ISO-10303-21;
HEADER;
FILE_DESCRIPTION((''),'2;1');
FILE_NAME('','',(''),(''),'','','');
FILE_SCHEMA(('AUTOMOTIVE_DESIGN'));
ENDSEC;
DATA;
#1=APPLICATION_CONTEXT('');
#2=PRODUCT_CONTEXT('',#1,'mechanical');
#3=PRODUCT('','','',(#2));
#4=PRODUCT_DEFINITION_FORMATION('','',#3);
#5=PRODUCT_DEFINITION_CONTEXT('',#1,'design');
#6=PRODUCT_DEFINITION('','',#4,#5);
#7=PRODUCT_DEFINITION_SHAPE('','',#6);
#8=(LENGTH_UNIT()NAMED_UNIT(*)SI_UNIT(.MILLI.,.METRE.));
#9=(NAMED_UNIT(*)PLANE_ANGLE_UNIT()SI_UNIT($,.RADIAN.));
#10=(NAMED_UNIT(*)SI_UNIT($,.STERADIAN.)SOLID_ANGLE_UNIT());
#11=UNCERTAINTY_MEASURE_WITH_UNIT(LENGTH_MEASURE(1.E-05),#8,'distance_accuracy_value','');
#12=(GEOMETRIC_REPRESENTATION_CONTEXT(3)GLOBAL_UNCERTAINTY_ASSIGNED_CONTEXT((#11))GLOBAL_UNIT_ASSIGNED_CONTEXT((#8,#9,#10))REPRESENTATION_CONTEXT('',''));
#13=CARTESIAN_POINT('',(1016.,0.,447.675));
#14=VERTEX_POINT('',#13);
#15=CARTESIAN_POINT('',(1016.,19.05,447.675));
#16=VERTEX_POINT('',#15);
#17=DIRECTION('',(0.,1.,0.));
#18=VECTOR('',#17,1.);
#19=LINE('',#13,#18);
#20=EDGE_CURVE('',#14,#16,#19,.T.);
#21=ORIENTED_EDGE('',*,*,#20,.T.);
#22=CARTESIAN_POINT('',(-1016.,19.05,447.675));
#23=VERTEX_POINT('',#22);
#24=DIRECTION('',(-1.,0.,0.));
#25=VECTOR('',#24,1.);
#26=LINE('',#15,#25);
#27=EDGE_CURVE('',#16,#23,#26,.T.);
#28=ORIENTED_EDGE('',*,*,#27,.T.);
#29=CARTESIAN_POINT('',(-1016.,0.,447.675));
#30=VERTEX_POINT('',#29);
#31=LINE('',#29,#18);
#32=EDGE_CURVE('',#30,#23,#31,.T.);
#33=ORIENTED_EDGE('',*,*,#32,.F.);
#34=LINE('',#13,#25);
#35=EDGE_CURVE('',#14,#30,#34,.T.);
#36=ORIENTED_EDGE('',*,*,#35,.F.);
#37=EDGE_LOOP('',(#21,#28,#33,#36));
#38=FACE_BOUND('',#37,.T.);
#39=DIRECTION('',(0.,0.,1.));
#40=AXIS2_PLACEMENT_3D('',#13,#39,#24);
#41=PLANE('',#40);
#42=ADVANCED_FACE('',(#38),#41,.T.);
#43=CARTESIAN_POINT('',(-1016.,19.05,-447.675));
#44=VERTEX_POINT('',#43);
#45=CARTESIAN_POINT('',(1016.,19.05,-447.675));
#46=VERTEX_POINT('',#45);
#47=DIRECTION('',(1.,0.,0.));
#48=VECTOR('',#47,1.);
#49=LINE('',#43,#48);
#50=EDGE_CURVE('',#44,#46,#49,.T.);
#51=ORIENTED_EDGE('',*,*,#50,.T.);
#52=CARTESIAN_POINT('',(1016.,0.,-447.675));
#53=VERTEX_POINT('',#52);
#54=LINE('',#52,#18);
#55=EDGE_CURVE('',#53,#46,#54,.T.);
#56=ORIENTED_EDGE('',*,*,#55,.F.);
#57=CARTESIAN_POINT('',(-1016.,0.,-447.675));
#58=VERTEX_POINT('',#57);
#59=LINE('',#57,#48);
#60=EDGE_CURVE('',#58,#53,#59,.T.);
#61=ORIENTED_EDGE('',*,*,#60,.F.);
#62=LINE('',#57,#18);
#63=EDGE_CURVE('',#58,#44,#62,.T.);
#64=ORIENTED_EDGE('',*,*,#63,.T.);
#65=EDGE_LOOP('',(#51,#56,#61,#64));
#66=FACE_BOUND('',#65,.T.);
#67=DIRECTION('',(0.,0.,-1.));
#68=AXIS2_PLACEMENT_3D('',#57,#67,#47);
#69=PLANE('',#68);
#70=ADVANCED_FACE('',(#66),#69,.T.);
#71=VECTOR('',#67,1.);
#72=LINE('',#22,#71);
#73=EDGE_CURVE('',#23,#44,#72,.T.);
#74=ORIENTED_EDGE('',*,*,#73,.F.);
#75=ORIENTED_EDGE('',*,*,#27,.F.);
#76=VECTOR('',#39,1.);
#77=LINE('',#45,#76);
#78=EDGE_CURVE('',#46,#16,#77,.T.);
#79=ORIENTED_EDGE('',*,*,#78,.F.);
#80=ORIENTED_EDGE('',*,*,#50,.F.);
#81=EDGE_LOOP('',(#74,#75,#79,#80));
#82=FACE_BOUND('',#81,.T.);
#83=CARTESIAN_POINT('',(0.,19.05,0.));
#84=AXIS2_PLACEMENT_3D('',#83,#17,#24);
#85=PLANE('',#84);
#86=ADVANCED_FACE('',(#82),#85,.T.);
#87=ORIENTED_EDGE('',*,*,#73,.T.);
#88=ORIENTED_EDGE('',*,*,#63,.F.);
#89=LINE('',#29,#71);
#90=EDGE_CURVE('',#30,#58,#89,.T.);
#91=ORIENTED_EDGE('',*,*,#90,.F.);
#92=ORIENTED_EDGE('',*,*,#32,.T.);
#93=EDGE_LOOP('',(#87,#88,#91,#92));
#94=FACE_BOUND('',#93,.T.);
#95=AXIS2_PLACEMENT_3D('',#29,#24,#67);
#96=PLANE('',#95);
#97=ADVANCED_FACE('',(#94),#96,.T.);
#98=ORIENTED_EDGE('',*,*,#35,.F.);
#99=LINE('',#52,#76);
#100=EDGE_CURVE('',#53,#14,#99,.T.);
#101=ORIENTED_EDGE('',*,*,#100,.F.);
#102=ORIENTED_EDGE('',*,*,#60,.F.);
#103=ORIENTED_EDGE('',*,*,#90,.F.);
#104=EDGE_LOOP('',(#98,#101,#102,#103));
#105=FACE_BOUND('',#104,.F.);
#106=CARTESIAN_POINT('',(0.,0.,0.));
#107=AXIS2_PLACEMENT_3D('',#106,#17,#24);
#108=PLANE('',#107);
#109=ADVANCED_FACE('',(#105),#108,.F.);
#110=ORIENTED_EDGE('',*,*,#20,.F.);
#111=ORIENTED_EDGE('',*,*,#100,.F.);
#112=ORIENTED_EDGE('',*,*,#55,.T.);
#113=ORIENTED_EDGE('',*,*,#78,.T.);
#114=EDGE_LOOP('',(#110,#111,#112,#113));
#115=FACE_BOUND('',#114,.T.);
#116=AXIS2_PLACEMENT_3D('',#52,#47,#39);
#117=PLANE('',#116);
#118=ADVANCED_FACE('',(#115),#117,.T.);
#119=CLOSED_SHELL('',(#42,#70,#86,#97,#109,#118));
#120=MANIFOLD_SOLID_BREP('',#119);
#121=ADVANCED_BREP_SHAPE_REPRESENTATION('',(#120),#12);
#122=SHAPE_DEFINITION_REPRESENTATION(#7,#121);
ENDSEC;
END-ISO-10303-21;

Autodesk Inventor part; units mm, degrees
ref_plane "YZ Plane" through (0, 0, 0) normal (1, 0, 0) x (0, 1, 0)
ref_plane "XZ Plane" through (0, 0, 0) normal (0, 1, 0) x (-1, 0, 0)
ref_plane "XY Plane" through (0, 0, 0) normal (0, 0, 1) x (1, 0, 0)
sketch "Sketch1" plane through (0, 0, 0) normal (0, 1, 0) x (-1, 0, 0)
  line L0 (-1016, 447.675) -> (1016, 447.675)
  line L1 (1016, 447.675) -> (1016, -447.675)
  line L2 (1016, -447.675) -> (-1016, -447.675)
  line L3 (-1016, -447.675) -> (-1016, 447.675)
  line L4 (-1016, 447.675) -> (1016, -447.675) construction
  line L5 (1016, 447.675) -> (-1016, -447.675) construction
  point P0 (0, 0)
  dimension "d1" = 2032
  dimension "d2" = 895.35
extrude "Extrusion1" add sketch "Sketch1" along normal blind 19.05
equation "\"d1\" = d0"
equation "\"d0\" = 2032"
properties part number "BedSlat"
